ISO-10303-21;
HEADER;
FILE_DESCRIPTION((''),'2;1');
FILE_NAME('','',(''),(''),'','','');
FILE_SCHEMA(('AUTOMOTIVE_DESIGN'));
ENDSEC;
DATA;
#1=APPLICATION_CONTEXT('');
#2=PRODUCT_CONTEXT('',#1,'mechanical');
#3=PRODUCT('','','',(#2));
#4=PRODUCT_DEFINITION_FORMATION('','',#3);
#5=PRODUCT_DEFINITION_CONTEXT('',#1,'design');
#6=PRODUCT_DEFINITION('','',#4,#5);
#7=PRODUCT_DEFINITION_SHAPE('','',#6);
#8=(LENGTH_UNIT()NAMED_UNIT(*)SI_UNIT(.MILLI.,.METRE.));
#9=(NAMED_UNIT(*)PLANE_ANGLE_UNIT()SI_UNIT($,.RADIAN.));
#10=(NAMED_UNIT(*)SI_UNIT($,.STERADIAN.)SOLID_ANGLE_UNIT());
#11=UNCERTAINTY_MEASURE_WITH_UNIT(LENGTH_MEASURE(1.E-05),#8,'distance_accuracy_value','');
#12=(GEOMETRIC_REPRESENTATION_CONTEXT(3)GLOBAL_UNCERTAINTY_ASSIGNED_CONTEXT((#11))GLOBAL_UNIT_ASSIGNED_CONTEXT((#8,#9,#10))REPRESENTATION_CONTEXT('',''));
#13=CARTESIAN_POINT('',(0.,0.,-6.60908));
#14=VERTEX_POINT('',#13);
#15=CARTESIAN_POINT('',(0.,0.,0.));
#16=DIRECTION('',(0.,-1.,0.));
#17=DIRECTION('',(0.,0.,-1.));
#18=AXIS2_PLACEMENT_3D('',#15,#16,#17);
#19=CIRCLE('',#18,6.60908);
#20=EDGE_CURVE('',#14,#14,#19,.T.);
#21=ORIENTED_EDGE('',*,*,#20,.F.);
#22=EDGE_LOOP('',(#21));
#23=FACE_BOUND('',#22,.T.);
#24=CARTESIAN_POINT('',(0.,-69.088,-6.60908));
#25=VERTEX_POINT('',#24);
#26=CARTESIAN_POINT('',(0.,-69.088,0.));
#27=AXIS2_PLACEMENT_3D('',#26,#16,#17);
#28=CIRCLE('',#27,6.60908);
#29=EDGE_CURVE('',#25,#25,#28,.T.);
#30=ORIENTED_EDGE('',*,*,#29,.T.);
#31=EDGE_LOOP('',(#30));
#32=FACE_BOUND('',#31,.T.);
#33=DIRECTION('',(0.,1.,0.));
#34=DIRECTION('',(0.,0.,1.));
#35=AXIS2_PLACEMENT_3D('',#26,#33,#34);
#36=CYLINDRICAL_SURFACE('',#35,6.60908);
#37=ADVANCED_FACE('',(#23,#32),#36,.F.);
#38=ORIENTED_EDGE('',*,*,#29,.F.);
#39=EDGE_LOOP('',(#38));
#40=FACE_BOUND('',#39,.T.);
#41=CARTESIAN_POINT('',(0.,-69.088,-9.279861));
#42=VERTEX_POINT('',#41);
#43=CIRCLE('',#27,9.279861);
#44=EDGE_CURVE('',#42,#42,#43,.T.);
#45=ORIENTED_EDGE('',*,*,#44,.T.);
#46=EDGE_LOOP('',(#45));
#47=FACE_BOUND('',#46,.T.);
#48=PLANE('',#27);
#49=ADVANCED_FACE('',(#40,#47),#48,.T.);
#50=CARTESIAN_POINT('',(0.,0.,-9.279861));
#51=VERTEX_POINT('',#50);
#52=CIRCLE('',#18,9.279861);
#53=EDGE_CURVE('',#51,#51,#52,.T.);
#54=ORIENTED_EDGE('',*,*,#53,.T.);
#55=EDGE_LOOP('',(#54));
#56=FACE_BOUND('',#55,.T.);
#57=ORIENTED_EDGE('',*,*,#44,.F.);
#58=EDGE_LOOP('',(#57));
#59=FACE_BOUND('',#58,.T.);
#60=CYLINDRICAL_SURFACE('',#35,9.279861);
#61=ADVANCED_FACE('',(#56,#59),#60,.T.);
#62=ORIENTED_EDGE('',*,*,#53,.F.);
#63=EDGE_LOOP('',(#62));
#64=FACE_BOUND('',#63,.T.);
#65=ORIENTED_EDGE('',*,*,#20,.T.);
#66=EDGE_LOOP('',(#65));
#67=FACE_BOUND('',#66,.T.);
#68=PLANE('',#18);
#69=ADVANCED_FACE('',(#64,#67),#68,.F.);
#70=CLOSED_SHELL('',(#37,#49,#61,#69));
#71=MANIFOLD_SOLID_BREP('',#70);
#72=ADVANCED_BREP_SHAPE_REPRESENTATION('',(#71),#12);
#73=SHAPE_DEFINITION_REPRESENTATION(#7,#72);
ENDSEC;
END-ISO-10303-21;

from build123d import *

# Parameters (mm, degrees)
SKETCH2_R           = 9.279861491
SKETCH2_R_2         = 6.60908
BOSS_EXTRUDE1_DEPTH = 69.088


with BuildPart() as part:
    # Sketch2 → Boss-Extrude1 (new body)
    with BuildSketch(Plane.XZ):
        Circle(SKETCH2_R)
        Circle(SKETCH2_R_2, mode=Mode.SUBTRACT)
    extrude(amount=BOSS_EXTRUDE1_DEPTH)


solid = part.part
